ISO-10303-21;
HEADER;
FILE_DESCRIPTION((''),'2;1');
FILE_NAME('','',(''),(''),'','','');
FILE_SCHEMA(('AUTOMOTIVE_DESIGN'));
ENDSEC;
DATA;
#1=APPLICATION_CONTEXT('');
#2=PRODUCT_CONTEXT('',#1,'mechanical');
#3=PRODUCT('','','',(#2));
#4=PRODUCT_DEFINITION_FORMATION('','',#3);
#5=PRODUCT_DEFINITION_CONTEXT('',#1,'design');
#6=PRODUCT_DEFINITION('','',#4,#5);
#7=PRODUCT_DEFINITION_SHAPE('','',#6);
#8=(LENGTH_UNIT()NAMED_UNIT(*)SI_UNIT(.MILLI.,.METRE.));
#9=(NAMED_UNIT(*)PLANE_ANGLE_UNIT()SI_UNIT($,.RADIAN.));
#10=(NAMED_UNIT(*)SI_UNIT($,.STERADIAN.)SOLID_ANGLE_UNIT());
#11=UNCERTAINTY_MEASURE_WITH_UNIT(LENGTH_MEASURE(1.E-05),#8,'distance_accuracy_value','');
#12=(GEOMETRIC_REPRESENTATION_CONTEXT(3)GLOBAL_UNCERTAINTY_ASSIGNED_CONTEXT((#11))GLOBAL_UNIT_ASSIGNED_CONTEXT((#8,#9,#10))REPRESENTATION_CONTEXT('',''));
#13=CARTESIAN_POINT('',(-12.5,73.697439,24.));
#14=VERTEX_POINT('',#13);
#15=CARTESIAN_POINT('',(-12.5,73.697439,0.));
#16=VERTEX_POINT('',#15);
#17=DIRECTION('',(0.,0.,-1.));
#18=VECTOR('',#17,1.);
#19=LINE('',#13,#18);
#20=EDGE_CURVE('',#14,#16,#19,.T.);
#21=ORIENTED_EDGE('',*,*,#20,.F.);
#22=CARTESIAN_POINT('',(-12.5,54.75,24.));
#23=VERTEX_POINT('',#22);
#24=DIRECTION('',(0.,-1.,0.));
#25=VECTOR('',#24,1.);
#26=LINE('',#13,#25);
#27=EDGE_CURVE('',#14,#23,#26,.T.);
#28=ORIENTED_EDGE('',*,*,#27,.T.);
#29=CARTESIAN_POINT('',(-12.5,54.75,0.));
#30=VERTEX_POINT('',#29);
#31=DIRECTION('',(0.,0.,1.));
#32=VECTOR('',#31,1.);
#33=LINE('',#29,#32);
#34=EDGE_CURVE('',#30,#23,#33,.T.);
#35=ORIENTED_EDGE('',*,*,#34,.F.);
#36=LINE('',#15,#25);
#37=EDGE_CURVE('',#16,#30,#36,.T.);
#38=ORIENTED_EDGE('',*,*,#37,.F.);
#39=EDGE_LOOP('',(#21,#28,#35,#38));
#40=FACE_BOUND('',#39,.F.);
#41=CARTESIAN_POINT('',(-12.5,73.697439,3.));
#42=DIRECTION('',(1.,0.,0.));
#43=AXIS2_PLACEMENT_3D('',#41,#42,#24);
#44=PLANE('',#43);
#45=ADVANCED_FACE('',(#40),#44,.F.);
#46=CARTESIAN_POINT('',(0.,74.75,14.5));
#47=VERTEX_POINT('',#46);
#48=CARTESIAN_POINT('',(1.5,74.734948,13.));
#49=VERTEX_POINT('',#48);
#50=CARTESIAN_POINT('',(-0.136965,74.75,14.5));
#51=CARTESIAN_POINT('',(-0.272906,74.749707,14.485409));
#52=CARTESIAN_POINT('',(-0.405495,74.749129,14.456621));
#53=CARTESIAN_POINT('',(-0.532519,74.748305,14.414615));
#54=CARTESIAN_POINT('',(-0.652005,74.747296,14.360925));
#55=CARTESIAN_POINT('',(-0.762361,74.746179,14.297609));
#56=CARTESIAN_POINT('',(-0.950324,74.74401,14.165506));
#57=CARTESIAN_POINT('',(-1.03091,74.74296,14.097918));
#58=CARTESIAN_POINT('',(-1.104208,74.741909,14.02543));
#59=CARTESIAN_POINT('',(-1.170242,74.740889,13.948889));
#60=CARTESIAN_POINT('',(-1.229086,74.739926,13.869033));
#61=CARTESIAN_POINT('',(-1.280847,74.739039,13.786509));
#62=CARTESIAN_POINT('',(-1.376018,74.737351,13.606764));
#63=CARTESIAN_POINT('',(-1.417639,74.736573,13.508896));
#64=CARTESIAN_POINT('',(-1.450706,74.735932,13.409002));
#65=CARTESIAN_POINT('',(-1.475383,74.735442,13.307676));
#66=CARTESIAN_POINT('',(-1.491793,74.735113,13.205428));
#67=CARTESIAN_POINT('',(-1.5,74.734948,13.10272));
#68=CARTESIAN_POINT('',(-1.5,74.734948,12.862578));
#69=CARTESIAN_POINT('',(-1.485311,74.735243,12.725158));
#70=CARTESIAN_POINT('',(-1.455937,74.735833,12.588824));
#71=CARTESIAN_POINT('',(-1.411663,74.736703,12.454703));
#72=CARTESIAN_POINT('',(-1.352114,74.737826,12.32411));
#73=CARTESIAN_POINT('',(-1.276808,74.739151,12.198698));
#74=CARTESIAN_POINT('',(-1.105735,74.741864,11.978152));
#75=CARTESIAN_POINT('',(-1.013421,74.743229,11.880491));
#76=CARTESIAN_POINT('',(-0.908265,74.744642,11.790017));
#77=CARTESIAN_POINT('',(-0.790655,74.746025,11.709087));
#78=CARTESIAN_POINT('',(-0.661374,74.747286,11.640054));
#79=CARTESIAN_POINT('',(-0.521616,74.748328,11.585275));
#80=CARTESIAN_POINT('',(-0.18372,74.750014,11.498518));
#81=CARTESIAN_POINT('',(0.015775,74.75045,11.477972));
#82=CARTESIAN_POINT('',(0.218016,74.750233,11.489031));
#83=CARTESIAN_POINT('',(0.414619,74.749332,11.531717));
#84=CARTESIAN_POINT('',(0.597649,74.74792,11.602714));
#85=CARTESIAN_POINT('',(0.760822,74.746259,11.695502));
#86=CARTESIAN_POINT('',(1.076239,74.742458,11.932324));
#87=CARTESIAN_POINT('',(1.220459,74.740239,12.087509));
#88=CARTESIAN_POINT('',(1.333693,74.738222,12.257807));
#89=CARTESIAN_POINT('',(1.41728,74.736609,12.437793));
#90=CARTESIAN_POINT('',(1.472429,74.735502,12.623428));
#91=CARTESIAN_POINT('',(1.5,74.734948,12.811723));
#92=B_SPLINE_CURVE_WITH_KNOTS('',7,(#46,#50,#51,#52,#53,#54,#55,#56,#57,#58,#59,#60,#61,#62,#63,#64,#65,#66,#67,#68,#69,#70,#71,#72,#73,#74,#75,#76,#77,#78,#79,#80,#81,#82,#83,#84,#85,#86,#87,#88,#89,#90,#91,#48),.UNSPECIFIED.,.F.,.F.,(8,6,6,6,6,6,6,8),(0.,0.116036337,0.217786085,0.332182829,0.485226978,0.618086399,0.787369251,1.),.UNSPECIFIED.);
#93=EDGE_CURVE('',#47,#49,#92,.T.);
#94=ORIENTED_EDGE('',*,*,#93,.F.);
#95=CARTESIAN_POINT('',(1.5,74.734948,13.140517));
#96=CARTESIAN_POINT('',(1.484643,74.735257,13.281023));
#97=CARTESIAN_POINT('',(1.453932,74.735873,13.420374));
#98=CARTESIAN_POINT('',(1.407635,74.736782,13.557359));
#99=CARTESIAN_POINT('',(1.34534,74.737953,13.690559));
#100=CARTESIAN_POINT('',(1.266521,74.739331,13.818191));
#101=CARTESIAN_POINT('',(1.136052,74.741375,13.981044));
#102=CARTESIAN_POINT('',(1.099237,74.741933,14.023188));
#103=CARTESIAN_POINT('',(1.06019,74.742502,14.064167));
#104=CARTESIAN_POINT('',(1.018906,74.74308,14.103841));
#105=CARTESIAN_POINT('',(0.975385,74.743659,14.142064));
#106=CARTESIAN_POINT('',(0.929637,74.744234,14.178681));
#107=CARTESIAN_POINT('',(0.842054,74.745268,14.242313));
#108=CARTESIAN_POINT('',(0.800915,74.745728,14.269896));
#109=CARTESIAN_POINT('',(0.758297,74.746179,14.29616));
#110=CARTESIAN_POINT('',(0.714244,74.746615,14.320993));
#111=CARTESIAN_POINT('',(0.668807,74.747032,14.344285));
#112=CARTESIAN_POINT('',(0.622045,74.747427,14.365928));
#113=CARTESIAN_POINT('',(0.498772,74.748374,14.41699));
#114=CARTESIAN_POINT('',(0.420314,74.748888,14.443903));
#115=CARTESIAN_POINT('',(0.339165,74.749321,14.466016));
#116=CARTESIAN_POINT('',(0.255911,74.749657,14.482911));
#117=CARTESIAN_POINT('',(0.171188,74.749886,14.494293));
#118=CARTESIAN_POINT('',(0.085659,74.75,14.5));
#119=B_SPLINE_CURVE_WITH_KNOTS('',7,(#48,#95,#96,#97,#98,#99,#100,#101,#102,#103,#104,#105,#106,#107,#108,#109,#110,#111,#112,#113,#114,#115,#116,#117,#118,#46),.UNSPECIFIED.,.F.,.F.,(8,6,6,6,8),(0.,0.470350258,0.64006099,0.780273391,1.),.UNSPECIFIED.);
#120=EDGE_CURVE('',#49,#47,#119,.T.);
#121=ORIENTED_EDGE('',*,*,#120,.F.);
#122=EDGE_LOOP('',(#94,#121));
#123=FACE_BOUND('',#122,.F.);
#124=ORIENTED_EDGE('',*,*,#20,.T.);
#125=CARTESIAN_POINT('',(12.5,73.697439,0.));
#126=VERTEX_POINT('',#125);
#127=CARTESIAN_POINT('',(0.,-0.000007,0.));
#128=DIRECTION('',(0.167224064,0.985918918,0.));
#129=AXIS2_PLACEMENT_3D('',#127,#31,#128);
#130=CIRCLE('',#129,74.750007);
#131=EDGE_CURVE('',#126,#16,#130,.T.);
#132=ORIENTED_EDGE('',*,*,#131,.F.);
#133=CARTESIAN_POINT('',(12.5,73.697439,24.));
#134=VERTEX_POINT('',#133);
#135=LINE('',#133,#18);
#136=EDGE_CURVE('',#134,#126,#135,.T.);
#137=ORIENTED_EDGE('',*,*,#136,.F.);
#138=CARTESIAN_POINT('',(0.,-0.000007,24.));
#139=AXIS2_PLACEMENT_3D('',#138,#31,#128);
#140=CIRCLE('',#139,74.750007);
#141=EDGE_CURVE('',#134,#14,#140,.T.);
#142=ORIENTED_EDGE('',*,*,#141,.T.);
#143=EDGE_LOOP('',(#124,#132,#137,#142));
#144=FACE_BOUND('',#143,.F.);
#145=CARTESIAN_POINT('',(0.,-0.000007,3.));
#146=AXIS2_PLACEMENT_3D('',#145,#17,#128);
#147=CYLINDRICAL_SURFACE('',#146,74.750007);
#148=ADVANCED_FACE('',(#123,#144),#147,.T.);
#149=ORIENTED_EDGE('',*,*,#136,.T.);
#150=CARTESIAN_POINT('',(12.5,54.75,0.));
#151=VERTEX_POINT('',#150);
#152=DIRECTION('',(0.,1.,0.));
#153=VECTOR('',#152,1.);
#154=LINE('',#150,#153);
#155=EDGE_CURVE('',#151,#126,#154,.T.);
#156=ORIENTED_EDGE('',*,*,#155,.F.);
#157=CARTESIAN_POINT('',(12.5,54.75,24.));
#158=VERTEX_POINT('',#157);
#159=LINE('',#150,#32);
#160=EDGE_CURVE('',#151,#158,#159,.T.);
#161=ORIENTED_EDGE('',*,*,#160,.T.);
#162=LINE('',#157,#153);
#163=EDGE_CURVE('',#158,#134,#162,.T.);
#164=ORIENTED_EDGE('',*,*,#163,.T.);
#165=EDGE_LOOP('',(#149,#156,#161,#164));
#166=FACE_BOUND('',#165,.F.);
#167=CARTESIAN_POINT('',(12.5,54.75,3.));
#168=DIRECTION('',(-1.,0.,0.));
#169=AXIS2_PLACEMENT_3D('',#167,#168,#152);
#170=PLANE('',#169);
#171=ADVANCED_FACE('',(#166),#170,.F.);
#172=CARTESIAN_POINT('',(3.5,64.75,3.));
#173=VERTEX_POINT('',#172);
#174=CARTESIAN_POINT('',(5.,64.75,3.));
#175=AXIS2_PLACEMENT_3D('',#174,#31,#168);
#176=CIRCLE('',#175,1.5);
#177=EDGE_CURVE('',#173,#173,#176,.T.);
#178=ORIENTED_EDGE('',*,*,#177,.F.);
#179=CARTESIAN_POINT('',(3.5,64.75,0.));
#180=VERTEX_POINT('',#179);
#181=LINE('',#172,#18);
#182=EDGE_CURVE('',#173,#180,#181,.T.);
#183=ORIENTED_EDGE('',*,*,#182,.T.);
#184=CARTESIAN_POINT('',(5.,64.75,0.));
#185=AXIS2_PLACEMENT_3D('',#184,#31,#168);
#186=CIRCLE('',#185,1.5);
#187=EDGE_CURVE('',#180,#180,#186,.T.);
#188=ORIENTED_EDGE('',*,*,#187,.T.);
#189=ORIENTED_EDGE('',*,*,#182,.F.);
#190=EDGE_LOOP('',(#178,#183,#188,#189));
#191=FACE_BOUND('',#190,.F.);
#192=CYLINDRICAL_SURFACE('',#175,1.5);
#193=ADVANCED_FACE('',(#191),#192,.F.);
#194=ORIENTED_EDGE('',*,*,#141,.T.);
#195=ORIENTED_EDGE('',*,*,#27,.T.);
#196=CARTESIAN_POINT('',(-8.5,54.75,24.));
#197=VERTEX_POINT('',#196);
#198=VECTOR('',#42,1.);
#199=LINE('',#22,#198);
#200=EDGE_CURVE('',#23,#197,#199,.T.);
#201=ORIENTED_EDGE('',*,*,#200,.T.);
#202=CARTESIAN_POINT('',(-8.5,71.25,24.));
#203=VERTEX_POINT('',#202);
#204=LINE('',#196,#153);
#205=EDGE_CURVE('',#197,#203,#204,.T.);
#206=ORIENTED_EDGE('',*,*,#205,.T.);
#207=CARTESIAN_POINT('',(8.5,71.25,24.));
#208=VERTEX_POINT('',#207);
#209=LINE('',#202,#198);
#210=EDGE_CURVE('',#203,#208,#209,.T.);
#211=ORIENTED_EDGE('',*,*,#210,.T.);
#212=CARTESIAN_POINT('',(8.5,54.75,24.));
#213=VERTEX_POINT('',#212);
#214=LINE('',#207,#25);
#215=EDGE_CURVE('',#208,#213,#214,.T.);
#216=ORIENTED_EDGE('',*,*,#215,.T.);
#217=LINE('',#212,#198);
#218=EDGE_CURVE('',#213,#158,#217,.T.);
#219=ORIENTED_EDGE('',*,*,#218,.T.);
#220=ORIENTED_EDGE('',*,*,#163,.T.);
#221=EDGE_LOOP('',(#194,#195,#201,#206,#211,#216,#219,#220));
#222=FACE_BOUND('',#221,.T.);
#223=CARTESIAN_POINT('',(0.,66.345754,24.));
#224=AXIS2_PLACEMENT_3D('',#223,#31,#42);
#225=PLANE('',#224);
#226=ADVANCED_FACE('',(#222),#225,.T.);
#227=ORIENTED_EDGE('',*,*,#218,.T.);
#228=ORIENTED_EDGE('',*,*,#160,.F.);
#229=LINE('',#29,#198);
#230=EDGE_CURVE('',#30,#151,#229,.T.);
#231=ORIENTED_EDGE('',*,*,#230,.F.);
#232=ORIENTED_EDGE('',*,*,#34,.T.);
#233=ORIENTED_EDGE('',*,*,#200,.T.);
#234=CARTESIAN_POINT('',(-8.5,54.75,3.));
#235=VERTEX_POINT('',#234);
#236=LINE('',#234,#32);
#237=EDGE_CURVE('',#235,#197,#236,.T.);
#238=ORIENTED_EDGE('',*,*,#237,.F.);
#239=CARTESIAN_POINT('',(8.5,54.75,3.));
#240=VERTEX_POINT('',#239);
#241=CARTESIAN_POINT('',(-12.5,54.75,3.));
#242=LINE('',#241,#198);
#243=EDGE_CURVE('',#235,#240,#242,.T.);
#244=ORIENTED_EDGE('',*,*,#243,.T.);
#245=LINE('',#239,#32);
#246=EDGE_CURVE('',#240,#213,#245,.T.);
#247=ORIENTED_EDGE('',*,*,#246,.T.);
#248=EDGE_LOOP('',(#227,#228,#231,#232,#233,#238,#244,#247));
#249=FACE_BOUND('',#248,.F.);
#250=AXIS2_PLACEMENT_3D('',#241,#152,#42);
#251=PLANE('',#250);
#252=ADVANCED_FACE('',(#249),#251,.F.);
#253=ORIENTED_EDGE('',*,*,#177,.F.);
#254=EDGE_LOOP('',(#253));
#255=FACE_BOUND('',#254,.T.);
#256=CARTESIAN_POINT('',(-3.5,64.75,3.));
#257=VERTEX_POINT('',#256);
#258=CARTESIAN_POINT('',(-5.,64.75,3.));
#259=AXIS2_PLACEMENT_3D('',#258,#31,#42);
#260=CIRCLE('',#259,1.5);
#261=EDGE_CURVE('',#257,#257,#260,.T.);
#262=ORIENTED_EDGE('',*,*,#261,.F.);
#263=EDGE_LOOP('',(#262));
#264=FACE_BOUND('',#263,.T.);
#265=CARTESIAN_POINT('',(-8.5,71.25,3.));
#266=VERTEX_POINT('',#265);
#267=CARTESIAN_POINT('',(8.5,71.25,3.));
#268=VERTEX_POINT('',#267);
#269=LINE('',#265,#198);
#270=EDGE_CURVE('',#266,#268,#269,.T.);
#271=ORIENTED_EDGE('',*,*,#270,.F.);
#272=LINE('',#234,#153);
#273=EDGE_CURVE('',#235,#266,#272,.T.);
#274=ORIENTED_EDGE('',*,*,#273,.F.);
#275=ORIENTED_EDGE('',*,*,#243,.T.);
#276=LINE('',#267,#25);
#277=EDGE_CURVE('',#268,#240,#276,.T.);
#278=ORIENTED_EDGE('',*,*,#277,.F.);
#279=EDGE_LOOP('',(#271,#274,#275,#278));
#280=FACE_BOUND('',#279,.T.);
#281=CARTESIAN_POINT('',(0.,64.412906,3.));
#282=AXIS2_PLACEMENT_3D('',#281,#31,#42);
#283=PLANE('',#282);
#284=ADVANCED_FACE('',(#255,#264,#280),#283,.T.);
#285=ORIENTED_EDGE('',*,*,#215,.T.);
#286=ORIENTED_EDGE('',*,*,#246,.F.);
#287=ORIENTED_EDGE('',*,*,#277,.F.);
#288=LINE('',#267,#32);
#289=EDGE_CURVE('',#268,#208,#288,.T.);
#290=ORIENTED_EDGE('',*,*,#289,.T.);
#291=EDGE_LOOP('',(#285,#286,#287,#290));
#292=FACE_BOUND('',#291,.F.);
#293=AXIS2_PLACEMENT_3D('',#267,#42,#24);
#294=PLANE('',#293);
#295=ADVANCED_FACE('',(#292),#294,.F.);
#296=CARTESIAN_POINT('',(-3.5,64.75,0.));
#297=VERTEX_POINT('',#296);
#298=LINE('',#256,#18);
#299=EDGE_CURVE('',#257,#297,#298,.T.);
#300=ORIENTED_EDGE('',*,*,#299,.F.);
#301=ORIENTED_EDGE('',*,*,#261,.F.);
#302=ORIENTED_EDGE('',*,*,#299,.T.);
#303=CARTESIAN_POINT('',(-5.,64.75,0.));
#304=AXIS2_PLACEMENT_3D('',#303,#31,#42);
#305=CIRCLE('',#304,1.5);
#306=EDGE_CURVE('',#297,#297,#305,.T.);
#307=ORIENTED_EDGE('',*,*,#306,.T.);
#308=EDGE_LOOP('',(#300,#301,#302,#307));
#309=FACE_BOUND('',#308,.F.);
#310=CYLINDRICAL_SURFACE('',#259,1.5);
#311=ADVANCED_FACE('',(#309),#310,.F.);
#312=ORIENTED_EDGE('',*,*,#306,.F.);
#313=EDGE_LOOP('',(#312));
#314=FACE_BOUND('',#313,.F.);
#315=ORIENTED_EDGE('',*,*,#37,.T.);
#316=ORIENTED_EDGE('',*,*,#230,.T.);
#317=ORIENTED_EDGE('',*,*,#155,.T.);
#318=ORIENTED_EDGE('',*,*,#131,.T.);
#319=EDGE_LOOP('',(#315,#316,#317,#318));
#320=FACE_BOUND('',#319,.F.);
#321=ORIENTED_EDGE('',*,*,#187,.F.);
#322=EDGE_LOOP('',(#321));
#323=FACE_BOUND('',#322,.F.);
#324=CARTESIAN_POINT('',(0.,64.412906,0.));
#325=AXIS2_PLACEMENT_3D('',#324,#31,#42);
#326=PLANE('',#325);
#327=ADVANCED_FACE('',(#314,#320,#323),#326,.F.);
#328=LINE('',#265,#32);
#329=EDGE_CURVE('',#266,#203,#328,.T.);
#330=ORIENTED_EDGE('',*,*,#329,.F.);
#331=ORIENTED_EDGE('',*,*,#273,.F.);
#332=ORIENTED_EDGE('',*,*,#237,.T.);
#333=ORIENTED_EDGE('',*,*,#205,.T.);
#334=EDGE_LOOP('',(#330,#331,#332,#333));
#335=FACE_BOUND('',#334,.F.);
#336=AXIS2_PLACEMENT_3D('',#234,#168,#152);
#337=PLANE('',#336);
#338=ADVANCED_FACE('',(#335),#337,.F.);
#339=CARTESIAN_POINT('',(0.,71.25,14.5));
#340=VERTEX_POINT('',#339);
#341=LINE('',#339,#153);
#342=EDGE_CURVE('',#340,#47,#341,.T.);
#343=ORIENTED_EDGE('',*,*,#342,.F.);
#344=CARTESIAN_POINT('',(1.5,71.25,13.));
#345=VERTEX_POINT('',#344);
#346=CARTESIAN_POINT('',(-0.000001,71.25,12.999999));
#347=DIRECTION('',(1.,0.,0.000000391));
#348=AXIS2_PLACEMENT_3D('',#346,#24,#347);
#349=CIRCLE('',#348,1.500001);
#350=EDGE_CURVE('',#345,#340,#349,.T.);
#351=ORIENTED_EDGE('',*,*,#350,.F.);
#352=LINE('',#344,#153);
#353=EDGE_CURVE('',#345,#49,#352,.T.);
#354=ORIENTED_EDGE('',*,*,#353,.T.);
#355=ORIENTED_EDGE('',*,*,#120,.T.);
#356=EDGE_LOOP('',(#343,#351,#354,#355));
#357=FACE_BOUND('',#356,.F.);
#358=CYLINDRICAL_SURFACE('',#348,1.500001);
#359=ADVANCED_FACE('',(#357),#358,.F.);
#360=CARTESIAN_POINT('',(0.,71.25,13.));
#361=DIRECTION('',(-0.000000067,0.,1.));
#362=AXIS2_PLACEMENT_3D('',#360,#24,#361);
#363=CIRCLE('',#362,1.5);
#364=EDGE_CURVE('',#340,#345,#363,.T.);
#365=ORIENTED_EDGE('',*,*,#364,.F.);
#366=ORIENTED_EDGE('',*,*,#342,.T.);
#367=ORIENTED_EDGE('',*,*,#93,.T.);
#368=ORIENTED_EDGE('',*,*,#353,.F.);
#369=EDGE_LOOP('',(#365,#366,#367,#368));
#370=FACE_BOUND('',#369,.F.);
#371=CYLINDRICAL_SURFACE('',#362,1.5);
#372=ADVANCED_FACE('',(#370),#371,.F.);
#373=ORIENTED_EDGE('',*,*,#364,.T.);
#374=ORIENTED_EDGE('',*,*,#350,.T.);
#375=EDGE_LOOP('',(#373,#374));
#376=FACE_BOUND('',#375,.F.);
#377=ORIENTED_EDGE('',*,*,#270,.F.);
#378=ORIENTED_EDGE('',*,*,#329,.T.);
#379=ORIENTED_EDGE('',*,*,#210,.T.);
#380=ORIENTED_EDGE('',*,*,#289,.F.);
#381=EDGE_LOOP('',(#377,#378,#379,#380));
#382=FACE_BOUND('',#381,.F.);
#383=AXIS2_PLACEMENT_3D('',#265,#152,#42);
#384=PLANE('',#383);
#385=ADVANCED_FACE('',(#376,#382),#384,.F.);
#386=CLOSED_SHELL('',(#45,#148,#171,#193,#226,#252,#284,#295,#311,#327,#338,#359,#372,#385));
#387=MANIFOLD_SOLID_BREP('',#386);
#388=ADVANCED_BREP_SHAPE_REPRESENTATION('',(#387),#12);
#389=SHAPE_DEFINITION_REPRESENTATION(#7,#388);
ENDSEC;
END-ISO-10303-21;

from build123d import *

# Parameters (mm, degrees)
F1_DEPTH = 3
F3_DEPTH = 21
F4_R     = 1.5
F5_DEPTH = 4
F7_DEPTH = 5


with BuildPart() as f1:
    # F0 (on Top) → F1 (new body)
    with BuildSketch(Plane.XY):
        with BuildLine():
            Line((12.5, 54.75), (12.5, 73.697439))
            ThreePointArc((12.5, 73.697439), (0, 74.75), (-12.5, 73.697439))
            Line((-12.5, 73.697439), (-12.5, 54.75))
            Line((-12.5, 54.75), (8.383245, 54.75))
            Line((8.383245, 54.75), (12.5, 54.75))
        make_face()
    extrude(amount=F1_DEPTH)

    # F2 (on face) → F3 (join)
    with BuildSketch(Plane.XY.offset(3)):
        with BuildLine():
            Line((-12.5, 73.697439), (-12.5, 54.75))
            Line((-12.5, 54.75), (-8.5, 54.75))
            Line((-8.5, 54.75), (-8.5, 71.25))
            Line((-8.5, 71.25), (8.5, 71.25))
            Line((8.5, 71.25), (8.5, 54.75))
            Line((8.5, 54.75), (12.5, 54.75))
            Line((12.5, 54.75), (12.5, 73.697439))
            ThreePointArc((12.5, 73.697439), (0, 74.75), (-12.5, 73.697439))
        make_face()
    extrude(amount=F3_DEPTH)

    # F4 (on face) → F5 (cut)
    with BuildSketch(Plane.XY.offset(3)):
        with BuildLine():
            ThreePointArc((6.5, 64.75), (5, 66.25), (3.5, 64.75))
            ThreePointArc((3.5, 64.75), (5, 63.25), (6.5, 64.75))
        make_face()
        with Locations((-5, 64.75)):
            Circle(F4_R)
    extrude(amount=-F5_DEPTH, mode=Mode.SUBTRACT)

    # F6 (on face) → F7 (cut)
    with BuildSketch(Plane.XZ.offset(-71.25)):
        with BuildLine():
            ThreePointArc((1.5, 13), (1.06066, 14.06066), (0, 14.5))
            ThreePointArc((0, 14.5), (-1.06066, 11.93934), (1.5, 13))
        make_face()
    extrude(amount=-F7_DEPTH, mode=Mode.SUBTRACT)


solid = f1.part
